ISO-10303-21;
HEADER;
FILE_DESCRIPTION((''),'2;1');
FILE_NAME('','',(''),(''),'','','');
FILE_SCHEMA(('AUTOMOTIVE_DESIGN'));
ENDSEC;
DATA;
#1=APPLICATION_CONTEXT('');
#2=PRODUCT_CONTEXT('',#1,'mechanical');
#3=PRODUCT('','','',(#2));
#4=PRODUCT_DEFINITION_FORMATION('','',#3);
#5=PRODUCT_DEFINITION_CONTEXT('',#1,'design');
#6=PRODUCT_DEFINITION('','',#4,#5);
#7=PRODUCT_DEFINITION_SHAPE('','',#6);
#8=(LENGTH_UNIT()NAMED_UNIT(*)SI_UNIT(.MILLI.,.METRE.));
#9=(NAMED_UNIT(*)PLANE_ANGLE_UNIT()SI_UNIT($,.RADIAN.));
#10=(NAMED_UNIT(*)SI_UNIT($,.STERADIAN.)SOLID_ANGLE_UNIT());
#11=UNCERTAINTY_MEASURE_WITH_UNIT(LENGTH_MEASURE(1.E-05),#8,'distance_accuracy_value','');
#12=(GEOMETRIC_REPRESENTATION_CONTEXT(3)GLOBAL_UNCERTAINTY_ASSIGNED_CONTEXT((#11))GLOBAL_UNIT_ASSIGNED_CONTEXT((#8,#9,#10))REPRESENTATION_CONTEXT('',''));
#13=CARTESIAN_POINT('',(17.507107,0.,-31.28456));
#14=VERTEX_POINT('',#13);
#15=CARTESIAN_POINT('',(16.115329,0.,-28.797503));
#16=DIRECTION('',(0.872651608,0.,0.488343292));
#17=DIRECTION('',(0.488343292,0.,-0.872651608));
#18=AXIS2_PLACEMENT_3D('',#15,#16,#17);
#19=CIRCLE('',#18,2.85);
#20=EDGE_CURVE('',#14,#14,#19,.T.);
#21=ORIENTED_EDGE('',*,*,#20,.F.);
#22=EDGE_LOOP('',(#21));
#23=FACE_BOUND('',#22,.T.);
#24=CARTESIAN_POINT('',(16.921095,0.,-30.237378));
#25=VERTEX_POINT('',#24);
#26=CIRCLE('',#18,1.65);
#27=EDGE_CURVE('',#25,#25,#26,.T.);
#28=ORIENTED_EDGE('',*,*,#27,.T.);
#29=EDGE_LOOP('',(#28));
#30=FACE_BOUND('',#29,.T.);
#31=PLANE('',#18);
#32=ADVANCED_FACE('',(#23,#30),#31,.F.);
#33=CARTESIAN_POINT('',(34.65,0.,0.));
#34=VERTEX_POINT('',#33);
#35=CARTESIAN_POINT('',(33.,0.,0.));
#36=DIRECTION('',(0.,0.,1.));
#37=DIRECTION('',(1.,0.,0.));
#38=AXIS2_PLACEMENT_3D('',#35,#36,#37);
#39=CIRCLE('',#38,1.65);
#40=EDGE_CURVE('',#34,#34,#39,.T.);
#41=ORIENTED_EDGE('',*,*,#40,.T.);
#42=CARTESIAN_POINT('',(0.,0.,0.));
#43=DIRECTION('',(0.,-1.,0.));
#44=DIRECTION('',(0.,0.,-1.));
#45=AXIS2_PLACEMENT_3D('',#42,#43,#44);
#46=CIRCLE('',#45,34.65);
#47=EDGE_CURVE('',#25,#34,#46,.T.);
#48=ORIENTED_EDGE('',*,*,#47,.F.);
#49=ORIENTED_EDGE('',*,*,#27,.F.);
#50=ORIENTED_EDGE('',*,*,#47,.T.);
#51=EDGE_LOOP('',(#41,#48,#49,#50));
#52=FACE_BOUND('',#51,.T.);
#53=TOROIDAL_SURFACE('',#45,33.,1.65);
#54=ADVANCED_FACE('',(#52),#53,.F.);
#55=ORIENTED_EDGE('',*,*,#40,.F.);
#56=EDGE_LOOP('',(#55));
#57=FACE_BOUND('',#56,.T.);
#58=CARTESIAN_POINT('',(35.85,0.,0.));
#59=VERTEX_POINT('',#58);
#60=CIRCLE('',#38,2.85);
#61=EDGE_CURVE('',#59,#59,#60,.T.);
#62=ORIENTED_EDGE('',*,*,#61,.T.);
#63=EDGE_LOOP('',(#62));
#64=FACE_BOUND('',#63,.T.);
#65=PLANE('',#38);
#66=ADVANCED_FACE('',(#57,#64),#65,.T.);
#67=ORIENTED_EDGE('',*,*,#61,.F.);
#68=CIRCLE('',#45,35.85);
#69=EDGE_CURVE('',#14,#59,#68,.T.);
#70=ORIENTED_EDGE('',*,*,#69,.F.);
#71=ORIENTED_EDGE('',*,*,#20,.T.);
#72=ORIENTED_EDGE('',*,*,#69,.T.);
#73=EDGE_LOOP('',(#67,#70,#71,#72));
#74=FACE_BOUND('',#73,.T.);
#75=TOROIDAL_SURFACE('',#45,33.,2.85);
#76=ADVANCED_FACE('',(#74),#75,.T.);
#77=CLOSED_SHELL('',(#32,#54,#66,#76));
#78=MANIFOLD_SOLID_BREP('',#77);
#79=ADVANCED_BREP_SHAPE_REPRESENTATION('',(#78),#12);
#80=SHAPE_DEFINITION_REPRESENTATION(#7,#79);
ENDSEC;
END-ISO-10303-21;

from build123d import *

# Parameters (mm, degrees)
SKIZZE2_R   = 2.85
SKIZZE2_R_2 = 1.65


with BuildPart() as part:
    # Austragung-Dünn1: sweep along a path in Skizze1
    with BuildLine(Plane(origin=(0, 0, 0), x_dir=(1, 0, 0), z_dir=(0, 1, 0))) as austragung_d_nn1_path:
        ThreePointArc((16.11532863, 28.797503071), (28.467576686, 16.691227564), (33, 0))
    # Skizze2 → Austragung-Dünn1 (sweep)
    with BuildSketch(Plane.XY):
        with Locations((33, 0)):
            Circle(SKIZZE2_R)
        with Locations((33, 0)):
            Circle(SKIZZE2_R_2, mode=Mode.SUBTRACT)
    sweep(path=austragung_d_nn1_path.line)


solid = part.part
